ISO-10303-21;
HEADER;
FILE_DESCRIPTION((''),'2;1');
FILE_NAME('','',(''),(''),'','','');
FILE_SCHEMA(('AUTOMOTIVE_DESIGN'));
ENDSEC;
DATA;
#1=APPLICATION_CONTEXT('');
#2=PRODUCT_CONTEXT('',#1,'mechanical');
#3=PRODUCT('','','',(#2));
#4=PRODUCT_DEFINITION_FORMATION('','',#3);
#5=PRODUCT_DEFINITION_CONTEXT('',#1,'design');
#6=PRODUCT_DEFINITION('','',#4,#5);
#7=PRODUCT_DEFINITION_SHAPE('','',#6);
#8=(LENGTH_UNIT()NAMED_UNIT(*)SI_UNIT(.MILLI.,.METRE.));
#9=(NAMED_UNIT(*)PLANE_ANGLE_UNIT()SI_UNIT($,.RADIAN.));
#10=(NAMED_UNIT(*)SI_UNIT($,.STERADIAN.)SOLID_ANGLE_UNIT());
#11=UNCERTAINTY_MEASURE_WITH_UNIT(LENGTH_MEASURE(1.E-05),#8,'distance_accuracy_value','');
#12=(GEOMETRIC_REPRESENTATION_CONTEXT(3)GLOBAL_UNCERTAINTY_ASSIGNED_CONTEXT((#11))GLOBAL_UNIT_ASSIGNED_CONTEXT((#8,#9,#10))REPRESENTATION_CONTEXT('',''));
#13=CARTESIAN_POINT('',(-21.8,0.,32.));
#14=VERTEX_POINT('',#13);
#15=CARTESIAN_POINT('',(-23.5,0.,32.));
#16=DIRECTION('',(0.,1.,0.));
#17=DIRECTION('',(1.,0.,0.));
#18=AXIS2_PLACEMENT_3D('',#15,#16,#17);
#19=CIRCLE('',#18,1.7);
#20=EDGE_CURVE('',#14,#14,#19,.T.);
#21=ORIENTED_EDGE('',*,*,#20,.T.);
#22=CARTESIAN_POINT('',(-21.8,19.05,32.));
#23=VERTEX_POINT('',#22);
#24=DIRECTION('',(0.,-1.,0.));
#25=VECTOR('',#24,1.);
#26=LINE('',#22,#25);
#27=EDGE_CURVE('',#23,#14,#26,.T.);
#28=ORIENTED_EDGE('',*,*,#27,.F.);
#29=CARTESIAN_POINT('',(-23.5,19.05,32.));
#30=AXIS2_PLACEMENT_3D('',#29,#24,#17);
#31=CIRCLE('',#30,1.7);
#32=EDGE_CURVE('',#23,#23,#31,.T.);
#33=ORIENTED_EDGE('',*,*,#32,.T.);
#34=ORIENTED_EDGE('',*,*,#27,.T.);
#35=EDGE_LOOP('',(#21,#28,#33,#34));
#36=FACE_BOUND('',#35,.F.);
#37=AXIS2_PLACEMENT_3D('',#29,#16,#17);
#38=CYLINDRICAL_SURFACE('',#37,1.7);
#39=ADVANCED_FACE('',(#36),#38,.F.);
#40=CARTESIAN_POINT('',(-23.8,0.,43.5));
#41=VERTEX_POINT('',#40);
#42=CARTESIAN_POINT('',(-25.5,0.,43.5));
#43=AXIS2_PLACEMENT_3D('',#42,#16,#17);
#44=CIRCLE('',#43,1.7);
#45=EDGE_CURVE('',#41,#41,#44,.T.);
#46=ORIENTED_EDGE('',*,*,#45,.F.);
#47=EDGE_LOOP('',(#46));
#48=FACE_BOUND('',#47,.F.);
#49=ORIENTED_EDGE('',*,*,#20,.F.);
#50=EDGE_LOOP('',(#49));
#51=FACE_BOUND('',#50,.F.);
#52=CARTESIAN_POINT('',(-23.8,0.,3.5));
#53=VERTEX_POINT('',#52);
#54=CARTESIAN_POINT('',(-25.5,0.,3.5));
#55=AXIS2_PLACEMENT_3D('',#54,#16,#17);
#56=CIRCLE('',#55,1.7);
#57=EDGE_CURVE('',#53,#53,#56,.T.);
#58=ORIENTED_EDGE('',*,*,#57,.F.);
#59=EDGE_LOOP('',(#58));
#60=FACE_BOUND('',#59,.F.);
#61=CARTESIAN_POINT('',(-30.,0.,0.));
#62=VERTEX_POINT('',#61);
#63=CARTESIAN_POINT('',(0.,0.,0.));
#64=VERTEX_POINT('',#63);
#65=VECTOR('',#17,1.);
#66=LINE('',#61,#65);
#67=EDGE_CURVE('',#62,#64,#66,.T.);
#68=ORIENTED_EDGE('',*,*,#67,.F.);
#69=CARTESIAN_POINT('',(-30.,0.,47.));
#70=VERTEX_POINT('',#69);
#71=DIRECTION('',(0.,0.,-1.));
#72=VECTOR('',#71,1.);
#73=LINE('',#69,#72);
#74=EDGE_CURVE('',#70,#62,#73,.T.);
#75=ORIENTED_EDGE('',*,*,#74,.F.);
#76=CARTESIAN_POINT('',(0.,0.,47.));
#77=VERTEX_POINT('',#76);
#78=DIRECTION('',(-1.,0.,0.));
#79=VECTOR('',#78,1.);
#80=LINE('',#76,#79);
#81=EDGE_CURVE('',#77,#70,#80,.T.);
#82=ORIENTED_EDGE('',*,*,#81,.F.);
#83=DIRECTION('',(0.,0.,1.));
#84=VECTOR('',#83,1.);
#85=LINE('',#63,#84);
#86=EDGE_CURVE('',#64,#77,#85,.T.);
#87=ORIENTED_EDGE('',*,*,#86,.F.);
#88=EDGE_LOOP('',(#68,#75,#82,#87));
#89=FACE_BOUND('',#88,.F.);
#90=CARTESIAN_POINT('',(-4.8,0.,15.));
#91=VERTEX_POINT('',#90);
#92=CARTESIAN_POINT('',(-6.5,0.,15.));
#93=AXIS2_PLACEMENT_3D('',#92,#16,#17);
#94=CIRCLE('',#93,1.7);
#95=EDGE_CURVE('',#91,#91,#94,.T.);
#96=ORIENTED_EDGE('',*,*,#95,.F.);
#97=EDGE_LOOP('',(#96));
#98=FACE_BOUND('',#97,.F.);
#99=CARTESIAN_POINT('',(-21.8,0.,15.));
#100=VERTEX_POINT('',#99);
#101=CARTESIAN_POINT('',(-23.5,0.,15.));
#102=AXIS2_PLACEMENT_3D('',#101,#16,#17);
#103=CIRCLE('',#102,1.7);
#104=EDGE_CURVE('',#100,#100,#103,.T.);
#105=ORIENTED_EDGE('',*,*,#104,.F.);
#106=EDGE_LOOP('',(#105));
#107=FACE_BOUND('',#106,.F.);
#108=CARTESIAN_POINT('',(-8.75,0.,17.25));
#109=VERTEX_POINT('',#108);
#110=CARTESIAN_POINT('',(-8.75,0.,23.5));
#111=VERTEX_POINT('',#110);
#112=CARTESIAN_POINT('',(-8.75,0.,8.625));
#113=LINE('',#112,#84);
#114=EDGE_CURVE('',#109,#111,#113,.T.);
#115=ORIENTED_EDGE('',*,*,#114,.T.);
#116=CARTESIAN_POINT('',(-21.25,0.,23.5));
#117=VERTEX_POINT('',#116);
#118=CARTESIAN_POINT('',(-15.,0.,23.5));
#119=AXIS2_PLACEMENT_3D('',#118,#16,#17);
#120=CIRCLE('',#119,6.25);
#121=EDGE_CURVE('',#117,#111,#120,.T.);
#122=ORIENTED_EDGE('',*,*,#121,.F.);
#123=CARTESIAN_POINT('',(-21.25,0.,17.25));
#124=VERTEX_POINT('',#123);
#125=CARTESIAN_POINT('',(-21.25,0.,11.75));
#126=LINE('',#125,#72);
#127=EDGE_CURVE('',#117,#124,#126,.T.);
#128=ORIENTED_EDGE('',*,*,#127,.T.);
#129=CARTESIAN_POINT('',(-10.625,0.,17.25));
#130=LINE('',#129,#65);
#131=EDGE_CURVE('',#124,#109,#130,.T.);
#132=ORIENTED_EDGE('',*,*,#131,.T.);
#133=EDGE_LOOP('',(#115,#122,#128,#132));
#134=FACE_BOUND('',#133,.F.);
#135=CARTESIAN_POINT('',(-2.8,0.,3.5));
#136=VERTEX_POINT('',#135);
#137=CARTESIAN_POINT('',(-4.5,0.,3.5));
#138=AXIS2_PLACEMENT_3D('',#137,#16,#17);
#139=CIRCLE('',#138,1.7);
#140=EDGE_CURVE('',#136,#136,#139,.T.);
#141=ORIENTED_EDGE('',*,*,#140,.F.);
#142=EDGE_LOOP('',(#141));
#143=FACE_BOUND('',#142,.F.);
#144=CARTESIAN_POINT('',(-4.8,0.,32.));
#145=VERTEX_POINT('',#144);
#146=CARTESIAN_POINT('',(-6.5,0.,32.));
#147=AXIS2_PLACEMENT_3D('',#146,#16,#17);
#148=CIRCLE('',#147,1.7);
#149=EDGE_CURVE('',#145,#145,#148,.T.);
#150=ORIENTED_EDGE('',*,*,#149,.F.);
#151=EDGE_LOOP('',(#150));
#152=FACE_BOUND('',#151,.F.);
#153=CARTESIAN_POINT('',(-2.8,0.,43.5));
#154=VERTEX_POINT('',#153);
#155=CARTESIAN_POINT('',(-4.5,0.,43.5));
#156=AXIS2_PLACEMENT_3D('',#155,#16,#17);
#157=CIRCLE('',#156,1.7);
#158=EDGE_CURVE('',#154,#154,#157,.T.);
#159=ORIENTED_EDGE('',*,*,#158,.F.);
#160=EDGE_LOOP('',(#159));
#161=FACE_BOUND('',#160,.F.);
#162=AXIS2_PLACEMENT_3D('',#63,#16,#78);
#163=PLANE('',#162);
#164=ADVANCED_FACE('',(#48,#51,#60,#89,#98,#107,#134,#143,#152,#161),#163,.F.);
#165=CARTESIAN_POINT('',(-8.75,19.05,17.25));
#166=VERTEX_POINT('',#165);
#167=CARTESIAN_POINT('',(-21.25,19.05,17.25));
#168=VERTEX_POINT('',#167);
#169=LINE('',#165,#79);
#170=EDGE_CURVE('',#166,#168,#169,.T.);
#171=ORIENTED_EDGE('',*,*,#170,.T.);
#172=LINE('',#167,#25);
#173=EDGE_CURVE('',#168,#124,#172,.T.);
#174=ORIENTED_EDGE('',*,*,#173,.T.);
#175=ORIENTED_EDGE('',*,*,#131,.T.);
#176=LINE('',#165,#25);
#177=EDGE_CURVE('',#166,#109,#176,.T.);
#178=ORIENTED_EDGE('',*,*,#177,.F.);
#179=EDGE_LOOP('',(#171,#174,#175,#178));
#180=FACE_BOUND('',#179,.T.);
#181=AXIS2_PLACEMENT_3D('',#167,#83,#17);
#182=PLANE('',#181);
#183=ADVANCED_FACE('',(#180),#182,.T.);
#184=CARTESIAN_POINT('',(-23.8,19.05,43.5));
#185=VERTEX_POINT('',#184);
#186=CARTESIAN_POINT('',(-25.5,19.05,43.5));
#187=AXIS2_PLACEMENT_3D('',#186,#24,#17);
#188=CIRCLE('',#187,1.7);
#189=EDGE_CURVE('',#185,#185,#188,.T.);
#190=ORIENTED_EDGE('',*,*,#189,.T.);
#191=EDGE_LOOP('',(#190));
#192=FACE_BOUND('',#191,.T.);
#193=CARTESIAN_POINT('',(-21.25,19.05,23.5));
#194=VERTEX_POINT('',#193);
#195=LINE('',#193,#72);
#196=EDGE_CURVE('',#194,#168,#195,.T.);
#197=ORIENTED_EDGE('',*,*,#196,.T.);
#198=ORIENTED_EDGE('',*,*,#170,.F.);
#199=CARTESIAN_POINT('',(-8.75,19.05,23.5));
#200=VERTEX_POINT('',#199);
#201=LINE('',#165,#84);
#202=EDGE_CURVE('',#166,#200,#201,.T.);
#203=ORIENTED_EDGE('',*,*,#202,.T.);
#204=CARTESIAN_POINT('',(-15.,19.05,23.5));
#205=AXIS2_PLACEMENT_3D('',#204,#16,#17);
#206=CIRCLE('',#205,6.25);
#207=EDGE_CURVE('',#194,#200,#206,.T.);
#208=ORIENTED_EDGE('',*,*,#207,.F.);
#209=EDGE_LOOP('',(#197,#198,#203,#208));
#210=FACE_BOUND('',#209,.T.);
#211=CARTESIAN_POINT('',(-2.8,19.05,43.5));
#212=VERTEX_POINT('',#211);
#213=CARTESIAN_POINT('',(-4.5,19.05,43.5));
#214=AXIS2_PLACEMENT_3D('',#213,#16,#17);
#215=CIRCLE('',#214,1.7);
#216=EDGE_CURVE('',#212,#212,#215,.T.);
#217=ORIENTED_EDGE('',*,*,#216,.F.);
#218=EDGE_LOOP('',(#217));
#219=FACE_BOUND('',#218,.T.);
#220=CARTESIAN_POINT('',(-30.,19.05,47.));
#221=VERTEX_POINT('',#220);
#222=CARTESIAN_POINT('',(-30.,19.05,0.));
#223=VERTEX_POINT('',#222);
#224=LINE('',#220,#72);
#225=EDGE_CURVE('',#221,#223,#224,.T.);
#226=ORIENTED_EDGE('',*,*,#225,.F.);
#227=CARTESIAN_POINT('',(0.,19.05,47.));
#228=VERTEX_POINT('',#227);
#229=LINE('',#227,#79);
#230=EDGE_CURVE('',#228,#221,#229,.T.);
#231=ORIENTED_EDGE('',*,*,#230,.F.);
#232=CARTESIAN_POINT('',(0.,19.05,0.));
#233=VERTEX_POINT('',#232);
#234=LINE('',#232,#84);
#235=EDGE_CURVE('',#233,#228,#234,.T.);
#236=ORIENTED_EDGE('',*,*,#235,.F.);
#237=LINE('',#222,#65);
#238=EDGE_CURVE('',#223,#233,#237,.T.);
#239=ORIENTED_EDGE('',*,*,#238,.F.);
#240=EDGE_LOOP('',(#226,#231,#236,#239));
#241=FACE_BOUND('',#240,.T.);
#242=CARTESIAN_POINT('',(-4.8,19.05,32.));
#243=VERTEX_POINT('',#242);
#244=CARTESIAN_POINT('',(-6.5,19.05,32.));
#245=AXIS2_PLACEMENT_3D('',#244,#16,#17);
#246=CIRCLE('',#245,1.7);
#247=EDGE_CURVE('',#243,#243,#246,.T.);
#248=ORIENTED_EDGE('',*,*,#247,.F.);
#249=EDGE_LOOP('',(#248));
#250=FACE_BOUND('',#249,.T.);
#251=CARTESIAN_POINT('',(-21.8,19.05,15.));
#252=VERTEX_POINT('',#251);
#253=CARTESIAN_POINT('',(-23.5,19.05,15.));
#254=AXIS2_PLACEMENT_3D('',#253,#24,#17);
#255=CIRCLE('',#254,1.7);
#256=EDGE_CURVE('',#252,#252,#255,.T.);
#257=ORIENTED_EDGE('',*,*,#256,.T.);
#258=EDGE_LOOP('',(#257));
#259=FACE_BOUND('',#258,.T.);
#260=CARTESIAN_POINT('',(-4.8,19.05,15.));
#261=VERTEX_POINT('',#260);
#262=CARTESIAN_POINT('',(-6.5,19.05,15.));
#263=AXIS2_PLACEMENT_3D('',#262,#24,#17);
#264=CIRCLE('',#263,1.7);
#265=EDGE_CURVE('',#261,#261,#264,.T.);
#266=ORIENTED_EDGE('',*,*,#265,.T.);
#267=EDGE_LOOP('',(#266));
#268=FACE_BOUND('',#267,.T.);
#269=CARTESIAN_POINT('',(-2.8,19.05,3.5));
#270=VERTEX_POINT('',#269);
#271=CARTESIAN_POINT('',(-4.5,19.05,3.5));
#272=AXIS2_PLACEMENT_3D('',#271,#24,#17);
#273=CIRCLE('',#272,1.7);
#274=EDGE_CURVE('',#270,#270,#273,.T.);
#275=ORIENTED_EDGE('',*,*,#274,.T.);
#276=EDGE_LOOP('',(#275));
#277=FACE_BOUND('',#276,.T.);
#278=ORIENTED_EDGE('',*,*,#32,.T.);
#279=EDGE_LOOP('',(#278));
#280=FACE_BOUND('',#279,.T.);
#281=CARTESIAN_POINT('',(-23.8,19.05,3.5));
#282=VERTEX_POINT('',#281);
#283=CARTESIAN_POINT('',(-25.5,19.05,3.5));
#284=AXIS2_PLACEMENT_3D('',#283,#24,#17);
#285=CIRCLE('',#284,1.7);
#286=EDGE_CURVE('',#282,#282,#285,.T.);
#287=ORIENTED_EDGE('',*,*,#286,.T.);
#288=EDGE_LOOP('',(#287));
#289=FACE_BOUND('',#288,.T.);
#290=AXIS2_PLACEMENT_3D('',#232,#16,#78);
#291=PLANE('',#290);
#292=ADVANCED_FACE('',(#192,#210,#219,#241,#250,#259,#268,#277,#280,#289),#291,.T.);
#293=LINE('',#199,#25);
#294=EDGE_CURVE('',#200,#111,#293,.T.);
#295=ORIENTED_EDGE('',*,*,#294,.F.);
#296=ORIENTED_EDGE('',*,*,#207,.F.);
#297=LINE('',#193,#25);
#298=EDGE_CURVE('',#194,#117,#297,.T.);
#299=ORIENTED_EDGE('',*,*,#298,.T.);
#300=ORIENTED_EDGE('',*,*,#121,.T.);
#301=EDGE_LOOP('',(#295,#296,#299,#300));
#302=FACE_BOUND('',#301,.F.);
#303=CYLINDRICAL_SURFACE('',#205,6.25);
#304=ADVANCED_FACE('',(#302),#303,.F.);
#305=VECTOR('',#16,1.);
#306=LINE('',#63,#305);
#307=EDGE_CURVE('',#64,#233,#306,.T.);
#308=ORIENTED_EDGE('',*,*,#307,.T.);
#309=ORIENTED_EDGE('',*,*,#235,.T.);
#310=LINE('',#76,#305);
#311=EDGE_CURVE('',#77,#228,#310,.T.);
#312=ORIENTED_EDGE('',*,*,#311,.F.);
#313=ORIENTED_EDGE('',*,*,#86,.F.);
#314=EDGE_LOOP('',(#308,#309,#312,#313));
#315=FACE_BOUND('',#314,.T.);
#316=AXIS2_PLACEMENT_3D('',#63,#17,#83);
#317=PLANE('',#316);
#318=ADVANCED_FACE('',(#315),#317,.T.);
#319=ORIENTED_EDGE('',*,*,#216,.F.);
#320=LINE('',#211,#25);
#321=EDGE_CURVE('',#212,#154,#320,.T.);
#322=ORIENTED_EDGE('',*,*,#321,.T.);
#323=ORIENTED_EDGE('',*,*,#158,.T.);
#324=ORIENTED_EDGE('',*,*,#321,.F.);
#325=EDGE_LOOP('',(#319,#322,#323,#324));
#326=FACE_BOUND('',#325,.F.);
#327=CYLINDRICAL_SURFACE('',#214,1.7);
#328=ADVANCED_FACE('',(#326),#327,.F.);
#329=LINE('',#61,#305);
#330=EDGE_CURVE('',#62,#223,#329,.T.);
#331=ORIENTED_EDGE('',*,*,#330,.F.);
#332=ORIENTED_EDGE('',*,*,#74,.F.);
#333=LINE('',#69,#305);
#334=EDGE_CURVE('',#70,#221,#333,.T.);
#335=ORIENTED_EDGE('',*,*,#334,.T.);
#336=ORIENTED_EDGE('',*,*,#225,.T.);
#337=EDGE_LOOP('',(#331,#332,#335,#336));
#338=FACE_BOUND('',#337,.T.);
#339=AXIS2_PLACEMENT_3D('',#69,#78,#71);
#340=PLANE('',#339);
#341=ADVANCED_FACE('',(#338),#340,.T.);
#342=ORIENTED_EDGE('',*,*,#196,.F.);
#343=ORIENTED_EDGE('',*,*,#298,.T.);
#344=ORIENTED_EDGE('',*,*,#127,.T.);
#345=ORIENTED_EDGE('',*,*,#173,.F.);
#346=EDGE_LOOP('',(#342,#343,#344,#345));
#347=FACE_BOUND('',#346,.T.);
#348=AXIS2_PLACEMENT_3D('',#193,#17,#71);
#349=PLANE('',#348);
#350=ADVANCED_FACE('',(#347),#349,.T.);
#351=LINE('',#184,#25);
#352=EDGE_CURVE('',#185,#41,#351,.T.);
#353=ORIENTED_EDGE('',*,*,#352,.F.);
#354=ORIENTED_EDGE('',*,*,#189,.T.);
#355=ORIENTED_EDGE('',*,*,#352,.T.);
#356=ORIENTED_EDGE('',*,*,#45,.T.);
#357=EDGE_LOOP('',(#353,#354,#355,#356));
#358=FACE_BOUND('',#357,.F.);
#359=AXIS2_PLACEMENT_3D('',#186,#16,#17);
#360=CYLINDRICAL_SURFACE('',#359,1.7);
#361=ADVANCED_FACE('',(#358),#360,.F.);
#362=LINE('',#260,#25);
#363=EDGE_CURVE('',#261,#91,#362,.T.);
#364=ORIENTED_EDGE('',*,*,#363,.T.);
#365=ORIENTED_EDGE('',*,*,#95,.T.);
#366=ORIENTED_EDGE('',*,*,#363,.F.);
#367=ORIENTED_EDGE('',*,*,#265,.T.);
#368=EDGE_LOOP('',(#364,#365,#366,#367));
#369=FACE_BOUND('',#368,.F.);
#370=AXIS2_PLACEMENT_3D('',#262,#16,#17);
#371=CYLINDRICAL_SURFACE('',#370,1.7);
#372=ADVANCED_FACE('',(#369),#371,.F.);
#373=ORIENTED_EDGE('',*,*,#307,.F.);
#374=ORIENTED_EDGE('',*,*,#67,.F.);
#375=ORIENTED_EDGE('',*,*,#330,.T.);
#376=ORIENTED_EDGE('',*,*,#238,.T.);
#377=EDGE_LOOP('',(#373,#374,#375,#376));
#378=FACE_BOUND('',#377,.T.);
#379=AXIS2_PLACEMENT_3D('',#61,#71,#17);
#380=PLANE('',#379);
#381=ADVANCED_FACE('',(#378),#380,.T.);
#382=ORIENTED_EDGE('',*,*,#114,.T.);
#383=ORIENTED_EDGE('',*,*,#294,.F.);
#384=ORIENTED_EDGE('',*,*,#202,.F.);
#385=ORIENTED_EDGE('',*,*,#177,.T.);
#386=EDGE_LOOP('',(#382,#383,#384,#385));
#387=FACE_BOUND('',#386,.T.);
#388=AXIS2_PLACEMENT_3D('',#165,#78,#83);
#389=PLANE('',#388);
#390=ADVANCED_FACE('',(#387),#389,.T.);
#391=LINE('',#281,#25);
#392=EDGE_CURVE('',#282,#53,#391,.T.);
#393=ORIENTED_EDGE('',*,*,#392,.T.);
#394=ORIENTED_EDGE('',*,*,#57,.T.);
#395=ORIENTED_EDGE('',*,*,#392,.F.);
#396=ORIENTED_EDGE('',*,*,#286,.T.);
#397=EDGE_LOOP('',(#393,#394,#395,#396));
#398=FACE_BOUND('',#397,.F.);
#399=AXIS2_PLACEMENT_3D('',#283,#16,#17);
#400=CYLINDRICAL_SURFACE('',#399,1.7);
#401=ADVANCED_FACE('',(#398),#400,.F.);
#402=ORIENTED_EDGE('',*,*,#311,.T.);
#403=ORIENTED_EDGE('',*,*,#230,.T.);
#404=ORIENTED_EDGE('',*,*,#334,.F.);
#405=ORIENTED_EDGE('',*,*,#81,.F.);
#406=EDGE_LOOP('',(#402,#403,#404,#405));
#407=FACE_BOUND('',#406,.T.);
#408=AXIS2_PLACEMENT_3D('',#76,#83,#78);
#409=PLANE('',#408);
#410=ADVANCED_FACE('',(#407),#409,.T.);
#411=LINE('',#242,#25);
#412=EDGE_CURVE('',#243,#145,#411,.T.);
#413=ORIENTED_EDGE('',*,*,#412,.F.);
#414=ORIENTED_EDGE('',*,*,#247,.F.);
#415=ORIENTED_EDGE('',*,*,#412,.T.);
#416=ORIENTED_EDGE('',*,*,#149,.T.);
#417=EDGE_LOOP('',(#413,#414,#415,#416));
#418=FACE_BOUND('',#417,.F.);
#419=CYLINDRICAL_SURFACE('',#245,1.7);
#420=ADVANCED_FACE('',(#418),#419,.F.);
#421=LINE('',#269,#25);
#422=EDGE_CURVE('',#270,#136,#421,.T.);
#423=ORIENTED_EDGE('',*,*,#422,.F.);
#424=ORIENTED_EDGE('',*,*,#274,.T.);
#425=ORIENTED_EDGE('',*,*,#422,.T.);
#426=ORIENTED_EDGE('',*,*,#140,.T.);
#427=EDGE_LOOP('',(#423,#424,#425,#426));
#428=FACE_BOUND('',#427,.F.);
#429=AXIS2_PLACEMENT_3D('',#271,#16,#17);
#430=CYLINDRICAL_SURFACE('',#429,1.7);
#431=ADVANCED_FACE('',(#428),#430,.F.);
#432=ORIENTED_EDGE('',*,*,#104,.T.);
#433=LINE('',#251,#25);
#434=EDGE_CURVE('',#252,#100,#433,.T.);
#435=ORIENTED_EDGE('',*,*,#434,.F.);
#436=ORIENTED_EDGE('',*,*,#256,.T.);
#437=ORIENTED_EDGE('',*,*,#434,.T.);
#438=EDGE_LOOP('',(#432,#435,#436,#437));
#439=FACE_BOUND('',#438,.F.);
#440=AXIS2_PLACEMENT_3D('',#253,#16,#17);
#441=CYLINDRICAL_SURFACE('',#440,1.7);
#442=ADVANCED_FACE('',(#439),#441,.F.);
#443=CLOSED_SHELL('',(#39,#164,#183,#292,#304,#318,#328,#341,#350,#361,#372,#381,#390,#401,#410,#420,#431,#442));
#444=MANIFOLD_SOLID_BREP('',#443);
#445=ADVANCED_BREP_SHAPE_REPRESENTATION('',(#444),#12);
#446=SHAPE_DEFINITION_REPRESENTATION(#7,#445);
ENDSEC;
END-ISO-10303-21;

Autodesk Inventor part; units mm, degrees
ref_plane "YZ Plane" through (0, 0, 0) normal (1, 0, 0) x (0, 1, 0)
ref_plane "XZ Plane" through (0, 0, 0) normal (0, 1, 0) x (-1, 0, 0)
ref_plane "XY Plane" through (0, 0, 0) normal (0, 0, 1) x (1, 0, 0)
sketch "Sketch1" plane through (0, 0, 0) normal (0, 1, 0) x (-1, 0, 0)
  line L0 (0, 0) -> (0, 47)
  line L1 (0, 47) -> (30, 47)
  line L2 (30, 47) -> (30, 0)
  line L3 (30, 0) -> (0, 0)
  dimension "d0" = 47
  dimension "d1" = 30
extrude "Extrusion1" add sketch "Sketch1" along normal blind 19.05
sketch "Sketch2" plane through (0, 19.05, 0) normal (0, 1, 0) x (1, 0, 0)
  line L0 (-30, 0) -> (-30, -47) construction
  line L1 (0, 0) -> (-30, 0) construction
  circle A0 centre (-25.5, -43.5) radius 1.7
  circle A1 centre (-4.5, -43.5) radius 1.7
  circle A2 centre (-23.5, -32) radius 1.7
  circle A3 centre (-6.5, -32) radius 1.7
  circle A4 centre (-23.5, -15) radius 1.7
  circle A5 centre (-25.5, -3.5) radius 1.7
  circle A6 centre (-4.5, -3.5) radius 1.7
  circle A7 centre (-6.5, -15) radius 1.7
  line L2 (-23.5, -32) -> (-23.5, -15)
  line L3 (-23.5, -15) -> (-6.5, -15)
  line L4 (-25.5, -43.5) -> (-25.5, -3.5)
  line L5 (-25.5, -3.5) -> (-4.5, -3.5)
  circle A8 centre (-15, -23.5) radius 6.25
  line L6 (-21.25, -23.5) -> (-21.25, -17.25)
  line L7 (-21.25, -17.25) -> (-8.75, -17.25)
  line L8 (-8.75, -17.25) -> (-8.75, -23.5)
  point P0 (-25.5, -23.5)
  point P1 (-30, -23.5)
  point P2 (-23.5, -23.5)
  point P3 (-30, -23.5)
  point P4 (-15, -3.5)
  point P5 (-15, 0)
  point P6 (-15, -15)
  point P7 (-15, 0)
  point P8 (-15, 0)
  point P9 (-30, -23.5)
  point P10 (-15, -17.25)
  dimension "d4" = 3.4
  dimension "d5" = 17
  dimension "d6" = 17
  dimension "d7" = 40
  dimension "d8" = 21
  dimension "d9" = 12.5
extrude "Extrusion2" cut sketch "Sketch2" against normal through all
properties part number "HopefullyHelpsMount"
